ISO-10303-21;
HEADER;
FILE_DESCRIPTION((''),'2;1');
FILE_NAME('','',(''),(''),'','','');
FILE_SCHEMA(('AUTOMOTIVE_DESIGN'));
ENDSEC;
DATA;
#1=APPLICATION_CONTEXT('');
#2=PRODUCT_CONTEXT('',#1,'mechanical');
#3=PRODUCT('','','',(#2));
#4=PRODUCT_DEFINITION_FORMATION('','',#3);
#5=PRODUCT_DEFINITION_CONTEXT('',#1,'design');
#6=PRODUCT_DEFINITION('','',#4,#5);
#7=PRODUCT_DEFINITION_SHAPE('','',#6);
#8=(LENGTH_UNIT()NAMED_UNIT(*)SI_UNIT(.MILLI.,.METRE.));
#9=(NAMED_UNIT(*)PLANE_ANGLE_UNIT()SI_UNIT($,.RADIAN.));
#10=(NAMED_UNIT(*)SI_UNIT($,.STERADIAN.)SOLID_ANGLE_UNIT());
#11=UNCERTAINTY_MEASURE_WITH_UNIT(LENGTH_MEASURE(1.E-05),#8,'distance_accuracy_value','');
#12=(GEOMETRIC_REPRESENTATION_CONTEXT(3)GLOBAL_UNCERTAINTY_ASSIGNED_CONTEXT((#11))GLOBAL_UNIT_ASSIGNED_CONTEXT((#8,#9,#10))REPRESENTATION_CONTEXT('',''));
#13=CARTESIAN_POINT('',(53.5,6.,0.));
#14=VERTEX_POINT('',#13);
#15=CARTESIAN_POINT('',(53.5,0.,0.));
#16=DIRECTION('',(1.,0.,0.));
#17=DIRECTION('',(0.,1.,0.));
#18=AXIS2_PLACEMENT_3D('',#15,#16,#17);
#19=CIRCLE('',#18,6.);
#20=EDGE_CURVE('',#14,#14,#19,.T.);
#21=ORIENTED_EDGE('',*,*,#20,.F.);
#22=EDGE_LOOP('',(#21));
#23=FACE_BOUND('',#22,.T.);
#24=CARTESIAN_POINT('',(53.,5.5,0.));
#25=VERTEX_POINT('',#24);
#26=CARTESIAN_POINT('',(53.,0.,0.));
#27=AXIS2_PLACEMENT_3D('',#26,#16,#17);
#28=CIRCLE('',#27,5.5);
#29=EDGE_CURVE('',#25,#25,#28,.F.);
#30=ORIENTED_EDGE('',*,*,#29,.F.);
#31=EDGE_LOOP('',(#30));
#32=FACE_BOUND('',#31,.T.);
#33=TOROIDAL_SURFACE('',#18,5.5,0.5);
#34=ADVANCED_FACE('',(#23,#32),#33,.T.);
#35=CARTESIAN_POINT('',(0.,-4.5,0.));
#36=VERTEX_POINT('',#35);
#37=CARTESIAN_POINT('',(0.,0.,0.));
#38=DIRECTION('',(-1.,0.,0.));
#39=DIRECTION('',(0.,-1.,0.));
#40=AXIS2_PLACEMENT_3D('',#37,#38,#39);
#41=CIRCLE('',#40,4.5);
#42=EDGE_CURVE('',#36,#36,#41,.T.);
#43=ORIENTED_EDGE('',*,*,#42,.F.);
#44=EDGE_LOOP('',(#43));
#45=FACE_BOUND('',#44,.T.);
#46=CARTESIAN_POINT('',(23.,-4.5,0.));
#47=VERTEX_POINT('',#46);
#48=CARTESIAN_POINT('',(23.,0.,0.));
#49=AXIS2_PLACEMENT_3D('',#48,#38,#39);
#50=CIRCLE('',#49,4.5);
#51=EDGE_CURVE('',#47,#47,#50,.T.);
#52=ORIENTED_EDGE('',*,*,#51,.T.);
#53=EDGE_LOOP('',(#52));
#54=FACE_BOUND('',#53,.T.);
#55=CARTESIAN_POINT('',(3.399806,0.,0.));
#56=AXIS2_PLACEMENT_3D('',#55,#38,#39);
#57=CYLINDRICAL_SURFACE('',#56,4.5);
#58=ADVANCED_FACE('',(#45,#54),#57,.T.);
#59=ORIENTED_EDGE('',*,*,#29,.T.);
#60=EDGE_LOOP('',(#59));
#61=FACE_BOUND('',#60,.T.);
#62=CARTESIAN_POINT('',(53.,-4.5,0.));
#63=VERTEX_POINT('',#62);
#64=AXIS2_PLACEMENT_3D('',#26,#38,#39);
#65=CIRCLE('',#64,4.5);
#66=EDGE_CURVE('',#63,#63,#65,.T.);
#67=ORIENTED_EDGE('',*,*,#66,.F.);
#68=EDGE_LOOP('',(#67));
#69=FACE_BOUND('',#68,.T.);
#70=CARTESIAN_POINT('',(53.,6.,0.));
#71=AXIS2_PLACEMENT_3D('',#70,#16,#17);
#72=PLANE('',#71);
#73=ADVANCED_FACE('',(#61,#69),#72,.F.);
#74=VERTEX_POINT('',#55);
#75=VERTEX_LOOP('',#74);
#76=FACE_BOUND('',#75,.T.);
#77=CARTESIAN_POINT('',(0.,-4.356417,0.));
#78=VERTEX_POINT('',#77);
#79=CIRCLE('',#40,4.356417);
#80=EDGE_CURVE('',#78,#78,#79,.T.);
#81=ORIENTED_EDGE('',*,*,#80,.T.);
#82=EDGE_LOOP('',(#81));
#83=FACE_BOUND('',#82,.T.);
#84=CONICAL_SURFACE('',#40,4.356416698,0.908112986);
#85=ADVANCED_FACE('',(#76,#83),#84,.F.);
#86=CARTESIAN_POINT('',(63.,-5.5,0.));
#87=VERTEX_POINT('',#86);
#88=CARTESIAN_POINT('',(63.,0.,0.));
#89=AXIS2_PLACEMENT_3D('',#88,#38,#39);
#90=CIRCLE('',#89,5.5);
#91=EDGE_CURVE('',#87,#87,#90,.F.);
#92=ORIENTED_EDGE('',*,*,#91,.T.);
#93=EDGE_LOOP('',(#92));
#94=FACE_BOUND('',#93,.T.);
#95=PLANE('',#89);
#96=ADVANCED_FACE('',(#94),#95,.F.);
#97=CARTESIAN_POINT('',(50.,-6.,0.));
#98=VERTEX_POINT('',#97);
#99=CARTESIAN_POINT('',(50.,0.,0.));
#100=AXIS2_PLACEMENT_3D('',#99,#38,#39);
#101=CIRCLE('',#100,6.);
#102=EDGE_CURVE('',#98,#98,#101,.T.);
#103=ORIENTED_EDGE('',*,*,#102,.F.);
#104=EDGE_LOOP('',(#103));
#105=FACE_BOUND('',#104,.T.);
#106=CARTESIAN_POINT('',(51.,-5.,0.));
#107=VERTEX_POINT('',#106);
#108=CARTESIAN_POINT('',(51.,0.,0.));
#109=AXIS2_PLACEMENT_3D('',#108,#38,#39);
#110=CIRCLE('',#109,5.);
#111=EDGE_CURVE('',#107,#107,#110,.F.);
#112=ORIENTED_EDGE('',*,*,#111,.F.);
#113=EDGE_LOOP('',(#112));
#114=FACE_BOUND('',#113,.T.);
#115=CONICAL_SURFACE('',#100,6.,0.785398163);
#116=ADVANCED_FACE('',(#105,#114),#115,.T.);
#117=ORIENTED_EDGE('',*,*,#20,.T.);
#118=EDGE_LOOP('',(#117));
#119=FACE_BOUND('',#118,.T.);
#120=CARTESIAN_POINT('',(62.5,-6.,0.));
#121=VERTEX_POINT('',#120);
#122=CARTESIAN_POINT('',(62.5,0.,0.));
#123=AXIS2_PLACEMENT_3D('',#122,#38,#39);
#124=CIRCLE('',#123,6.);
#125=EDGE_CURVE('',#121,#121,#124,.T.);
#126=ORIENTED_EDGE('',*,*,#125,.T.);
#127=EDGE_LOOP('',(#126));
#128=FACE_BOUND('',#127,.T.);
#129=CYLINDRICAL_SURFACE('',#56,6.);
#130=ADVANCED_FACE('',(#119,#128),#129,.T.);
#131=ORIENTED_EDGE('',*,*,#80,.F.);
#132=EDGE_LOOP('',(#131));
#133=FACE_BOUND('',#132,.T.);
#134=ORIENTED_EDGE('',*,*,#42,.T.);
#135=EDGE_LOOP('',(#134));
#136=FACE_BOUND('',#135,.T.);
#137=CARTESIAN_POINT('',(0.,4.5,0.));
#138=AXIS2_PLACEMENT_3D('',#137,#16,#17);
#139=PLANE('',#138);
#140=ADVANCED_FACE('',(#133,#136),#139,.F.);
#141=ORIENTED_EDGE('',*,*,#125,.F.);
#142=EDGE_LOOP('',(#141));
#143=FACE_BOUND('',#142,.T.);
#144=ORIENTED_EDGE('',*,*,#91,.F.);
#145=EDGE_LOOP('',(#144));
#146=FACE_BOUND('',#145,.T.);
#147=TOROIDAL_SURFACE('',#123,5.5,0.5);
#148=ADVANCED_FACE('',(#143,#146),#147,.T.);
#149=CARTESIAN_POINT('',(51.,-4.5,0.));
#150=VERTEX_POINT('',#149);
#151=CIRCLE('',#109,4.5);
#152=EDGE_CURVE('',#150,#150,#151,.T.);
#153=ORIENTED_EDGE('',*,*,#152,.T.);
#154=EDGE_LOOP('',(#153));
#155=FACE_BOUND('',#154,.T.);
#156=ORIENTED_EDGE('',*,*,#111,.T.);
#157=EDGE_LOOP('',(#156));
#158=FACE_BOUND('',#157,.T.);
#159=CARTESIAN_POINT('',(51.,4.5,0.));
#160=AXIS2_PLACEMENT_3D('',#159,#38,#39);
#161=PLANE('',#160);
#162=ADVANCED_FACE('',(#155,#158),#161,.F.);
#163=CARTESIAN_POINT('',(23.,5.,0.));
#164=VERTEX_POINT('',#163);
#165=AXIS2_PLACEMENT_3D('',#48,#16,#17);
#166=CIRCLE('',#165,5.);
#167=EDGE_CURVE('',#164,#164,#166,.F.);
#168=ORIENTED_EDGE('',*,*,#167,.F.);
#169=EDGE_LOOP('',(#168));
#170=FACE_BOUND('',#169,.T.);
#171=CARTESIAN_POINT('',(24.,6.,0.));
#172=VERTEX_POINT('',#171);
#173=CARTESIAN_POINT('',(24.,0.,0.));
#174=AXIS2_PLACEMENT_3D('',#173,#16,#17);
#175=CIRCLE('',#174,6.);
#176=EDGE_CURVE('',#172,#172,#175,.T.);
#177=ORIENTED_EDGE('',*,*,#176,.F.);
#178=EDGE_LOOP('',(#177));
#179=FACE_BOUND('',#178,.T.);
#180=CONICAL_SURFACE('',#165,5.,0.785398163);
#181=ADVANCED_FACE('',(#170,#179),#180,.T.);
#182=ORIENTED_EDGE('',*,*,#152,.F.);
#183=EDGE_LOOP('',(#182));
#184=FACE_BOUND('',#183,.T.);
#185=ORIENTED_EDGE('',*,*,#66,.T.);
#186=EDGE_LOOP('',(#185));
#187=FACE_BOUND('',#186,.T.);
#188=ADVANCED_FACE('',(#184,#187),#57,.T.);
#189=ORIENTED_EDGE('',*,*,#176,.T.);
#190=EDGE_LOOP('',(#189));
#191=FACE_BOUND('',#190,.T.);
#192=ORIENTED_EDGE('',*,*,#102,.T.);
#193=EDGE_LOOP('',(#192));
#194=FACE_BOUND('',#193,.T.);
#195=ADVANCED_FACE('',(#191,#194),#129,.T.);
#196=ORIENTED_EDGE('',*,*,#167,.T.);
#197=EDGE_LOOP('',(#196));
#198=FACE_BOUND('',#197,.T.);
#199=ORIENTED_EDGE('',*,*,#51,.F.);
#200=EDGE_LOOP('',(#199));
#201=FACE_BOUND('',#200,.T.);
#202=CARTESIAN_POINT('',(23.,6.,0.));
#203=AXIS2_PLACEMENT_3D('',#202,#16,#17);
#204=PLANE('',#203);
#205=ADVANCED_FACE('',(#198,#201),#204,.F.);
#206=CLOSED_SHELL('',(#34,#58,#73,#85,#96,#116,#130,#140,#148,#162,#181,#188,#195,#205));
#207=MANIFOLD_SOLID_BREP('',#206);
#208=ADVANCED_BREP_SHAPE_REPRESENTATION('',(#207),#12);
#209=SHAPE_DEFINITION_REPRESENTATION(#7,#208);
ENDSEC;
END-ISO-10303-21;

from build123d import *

# Parameters (mm, degrees)
FILETE1_R     = 0.5
CHANFRO1_SIZE = 1


with BuildPart() as part:
    # Esboço1 → Revolução1 (revolve)
    with BuildSketch(Plane.XY, mode=Mode.PRIVATE) as revolu_o1_sk:
        Polygon((3.39980648, 0), (63, 0), (63, 6), (53, 6), (53, 4.5), (51, 4.5), (51, 6), (23, 6), (23, 4.5), (0, 4.5), (0, 4.356416698), align=None)
    revolve(revolu_o1_sk.sketch.rotate(Axis((3.39980648, 0, 0), (1, 0, 0)), 180), axis=Axis((3.39980648, 0, 0), (1, 0, 0)))

    # Filete1
    filete1_edges = [part.edges().sort_by_distance(p)[0] for p in [
        (53, 6, 0),
        (63, 6, 0),
    ]]
    fillet(filete1_edges, radius=FILETE1_R)

    # Chanfro1
    chanfro1_edges = [part.edges().sort_by_distance(p)[0] for p in [
        (51, 6, 0),
        (23, 6, 0),
    ]]
    chamfer(chanfro1_edges, length=CHANFRO1_SIZE)


solid = part.part
